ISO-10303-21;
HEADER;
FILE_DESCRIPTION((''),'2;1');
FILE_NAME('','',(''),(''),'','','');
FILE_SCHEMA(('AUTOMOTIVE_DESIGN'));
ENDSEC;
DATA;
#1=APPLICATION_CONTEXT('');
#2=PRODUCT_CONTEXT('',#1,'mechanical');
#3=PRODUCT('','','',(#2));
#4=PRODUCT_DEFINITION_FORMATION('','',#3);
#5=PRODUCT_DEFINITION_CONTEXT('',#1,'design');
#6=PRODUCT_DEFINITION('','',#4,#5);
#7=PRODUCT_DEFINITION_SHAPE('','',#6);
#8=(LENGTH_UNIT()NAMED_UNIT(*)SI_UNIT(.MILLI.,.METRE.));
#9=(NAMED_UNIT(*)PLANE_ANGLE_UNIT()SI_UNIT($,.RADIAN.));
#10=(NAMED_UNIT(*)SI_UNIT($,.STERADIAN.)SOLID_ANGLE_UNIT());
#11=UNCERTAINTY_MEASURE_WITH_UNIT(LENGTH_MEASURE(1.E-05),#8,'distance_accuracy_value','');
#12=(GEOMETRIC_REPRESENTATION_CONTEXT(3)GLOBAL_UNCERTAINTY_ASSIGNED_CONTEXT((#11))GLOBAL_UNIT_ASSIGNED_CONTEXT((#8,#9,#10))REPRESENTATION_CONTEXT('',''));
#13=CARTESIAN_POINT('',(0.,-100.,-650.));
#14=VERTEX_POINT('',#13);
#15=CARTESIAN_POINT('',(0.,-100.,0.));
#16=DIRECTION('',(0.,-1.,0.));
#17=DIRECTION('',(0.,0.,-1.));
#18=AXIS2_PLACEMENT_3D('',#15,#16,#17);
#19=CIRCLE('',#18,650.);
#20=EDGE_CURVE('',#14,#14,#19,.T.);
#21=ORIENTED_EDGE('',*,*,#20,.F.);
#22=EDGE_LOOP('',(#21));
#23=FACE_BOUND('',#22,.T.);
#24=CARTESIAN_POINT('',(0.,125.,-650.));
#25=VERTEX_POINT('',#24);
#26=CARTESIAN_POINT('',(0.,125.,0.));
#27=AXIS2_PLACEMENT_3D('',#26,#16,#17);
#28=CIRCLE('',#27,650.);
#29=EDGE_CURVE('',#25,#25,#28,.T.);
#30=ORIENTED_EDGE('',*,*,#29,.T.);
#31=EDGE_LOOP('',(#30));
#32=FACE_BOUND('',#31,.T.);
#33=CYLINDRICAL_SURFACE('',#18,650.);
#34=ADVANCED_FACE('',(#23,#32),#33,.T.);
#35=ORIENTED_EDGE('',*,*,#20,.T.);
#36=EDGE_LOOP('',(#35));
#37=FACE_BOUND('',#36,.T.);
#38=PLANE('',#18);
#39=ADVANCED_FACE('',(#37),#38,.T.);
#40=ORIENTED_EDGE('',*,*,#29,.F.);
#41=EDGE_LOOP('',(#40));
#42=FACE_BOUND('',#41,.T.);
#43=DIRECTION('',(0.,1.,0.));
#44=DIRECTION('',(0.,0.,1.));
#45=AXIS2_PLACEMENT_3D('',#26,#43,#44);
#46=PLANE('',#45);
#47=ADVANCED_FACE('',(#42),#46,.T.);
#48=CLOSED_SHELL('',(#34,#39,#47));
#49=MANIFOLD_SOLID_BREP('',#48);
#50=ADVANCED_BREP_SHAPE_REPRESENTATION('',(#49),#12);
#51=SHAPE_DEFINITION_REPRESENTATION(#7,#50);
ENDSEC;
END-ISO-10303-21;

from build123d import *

# Parameters (mm, degrees)
SKETCH1_W = 650
SKETCH1_H = 225


with BuildPart() as part:
    # Sketch1 → Revolve1 (revolve)
    with BuildSketch(Plane.XY, mode=Mode.PRIVATE) as revolve1_sk:
        with Locations((325, 12.5)):
            Rectangle(SKETCH1_W, SKETCH1_H)
    revolve(revolve1_sk.sketch.rotate(Axis((0, -100, 0), (0, 1, 0)), 90), axis=Axis((0, -100, 0), (0, 1, 0)))


solid = part.part
